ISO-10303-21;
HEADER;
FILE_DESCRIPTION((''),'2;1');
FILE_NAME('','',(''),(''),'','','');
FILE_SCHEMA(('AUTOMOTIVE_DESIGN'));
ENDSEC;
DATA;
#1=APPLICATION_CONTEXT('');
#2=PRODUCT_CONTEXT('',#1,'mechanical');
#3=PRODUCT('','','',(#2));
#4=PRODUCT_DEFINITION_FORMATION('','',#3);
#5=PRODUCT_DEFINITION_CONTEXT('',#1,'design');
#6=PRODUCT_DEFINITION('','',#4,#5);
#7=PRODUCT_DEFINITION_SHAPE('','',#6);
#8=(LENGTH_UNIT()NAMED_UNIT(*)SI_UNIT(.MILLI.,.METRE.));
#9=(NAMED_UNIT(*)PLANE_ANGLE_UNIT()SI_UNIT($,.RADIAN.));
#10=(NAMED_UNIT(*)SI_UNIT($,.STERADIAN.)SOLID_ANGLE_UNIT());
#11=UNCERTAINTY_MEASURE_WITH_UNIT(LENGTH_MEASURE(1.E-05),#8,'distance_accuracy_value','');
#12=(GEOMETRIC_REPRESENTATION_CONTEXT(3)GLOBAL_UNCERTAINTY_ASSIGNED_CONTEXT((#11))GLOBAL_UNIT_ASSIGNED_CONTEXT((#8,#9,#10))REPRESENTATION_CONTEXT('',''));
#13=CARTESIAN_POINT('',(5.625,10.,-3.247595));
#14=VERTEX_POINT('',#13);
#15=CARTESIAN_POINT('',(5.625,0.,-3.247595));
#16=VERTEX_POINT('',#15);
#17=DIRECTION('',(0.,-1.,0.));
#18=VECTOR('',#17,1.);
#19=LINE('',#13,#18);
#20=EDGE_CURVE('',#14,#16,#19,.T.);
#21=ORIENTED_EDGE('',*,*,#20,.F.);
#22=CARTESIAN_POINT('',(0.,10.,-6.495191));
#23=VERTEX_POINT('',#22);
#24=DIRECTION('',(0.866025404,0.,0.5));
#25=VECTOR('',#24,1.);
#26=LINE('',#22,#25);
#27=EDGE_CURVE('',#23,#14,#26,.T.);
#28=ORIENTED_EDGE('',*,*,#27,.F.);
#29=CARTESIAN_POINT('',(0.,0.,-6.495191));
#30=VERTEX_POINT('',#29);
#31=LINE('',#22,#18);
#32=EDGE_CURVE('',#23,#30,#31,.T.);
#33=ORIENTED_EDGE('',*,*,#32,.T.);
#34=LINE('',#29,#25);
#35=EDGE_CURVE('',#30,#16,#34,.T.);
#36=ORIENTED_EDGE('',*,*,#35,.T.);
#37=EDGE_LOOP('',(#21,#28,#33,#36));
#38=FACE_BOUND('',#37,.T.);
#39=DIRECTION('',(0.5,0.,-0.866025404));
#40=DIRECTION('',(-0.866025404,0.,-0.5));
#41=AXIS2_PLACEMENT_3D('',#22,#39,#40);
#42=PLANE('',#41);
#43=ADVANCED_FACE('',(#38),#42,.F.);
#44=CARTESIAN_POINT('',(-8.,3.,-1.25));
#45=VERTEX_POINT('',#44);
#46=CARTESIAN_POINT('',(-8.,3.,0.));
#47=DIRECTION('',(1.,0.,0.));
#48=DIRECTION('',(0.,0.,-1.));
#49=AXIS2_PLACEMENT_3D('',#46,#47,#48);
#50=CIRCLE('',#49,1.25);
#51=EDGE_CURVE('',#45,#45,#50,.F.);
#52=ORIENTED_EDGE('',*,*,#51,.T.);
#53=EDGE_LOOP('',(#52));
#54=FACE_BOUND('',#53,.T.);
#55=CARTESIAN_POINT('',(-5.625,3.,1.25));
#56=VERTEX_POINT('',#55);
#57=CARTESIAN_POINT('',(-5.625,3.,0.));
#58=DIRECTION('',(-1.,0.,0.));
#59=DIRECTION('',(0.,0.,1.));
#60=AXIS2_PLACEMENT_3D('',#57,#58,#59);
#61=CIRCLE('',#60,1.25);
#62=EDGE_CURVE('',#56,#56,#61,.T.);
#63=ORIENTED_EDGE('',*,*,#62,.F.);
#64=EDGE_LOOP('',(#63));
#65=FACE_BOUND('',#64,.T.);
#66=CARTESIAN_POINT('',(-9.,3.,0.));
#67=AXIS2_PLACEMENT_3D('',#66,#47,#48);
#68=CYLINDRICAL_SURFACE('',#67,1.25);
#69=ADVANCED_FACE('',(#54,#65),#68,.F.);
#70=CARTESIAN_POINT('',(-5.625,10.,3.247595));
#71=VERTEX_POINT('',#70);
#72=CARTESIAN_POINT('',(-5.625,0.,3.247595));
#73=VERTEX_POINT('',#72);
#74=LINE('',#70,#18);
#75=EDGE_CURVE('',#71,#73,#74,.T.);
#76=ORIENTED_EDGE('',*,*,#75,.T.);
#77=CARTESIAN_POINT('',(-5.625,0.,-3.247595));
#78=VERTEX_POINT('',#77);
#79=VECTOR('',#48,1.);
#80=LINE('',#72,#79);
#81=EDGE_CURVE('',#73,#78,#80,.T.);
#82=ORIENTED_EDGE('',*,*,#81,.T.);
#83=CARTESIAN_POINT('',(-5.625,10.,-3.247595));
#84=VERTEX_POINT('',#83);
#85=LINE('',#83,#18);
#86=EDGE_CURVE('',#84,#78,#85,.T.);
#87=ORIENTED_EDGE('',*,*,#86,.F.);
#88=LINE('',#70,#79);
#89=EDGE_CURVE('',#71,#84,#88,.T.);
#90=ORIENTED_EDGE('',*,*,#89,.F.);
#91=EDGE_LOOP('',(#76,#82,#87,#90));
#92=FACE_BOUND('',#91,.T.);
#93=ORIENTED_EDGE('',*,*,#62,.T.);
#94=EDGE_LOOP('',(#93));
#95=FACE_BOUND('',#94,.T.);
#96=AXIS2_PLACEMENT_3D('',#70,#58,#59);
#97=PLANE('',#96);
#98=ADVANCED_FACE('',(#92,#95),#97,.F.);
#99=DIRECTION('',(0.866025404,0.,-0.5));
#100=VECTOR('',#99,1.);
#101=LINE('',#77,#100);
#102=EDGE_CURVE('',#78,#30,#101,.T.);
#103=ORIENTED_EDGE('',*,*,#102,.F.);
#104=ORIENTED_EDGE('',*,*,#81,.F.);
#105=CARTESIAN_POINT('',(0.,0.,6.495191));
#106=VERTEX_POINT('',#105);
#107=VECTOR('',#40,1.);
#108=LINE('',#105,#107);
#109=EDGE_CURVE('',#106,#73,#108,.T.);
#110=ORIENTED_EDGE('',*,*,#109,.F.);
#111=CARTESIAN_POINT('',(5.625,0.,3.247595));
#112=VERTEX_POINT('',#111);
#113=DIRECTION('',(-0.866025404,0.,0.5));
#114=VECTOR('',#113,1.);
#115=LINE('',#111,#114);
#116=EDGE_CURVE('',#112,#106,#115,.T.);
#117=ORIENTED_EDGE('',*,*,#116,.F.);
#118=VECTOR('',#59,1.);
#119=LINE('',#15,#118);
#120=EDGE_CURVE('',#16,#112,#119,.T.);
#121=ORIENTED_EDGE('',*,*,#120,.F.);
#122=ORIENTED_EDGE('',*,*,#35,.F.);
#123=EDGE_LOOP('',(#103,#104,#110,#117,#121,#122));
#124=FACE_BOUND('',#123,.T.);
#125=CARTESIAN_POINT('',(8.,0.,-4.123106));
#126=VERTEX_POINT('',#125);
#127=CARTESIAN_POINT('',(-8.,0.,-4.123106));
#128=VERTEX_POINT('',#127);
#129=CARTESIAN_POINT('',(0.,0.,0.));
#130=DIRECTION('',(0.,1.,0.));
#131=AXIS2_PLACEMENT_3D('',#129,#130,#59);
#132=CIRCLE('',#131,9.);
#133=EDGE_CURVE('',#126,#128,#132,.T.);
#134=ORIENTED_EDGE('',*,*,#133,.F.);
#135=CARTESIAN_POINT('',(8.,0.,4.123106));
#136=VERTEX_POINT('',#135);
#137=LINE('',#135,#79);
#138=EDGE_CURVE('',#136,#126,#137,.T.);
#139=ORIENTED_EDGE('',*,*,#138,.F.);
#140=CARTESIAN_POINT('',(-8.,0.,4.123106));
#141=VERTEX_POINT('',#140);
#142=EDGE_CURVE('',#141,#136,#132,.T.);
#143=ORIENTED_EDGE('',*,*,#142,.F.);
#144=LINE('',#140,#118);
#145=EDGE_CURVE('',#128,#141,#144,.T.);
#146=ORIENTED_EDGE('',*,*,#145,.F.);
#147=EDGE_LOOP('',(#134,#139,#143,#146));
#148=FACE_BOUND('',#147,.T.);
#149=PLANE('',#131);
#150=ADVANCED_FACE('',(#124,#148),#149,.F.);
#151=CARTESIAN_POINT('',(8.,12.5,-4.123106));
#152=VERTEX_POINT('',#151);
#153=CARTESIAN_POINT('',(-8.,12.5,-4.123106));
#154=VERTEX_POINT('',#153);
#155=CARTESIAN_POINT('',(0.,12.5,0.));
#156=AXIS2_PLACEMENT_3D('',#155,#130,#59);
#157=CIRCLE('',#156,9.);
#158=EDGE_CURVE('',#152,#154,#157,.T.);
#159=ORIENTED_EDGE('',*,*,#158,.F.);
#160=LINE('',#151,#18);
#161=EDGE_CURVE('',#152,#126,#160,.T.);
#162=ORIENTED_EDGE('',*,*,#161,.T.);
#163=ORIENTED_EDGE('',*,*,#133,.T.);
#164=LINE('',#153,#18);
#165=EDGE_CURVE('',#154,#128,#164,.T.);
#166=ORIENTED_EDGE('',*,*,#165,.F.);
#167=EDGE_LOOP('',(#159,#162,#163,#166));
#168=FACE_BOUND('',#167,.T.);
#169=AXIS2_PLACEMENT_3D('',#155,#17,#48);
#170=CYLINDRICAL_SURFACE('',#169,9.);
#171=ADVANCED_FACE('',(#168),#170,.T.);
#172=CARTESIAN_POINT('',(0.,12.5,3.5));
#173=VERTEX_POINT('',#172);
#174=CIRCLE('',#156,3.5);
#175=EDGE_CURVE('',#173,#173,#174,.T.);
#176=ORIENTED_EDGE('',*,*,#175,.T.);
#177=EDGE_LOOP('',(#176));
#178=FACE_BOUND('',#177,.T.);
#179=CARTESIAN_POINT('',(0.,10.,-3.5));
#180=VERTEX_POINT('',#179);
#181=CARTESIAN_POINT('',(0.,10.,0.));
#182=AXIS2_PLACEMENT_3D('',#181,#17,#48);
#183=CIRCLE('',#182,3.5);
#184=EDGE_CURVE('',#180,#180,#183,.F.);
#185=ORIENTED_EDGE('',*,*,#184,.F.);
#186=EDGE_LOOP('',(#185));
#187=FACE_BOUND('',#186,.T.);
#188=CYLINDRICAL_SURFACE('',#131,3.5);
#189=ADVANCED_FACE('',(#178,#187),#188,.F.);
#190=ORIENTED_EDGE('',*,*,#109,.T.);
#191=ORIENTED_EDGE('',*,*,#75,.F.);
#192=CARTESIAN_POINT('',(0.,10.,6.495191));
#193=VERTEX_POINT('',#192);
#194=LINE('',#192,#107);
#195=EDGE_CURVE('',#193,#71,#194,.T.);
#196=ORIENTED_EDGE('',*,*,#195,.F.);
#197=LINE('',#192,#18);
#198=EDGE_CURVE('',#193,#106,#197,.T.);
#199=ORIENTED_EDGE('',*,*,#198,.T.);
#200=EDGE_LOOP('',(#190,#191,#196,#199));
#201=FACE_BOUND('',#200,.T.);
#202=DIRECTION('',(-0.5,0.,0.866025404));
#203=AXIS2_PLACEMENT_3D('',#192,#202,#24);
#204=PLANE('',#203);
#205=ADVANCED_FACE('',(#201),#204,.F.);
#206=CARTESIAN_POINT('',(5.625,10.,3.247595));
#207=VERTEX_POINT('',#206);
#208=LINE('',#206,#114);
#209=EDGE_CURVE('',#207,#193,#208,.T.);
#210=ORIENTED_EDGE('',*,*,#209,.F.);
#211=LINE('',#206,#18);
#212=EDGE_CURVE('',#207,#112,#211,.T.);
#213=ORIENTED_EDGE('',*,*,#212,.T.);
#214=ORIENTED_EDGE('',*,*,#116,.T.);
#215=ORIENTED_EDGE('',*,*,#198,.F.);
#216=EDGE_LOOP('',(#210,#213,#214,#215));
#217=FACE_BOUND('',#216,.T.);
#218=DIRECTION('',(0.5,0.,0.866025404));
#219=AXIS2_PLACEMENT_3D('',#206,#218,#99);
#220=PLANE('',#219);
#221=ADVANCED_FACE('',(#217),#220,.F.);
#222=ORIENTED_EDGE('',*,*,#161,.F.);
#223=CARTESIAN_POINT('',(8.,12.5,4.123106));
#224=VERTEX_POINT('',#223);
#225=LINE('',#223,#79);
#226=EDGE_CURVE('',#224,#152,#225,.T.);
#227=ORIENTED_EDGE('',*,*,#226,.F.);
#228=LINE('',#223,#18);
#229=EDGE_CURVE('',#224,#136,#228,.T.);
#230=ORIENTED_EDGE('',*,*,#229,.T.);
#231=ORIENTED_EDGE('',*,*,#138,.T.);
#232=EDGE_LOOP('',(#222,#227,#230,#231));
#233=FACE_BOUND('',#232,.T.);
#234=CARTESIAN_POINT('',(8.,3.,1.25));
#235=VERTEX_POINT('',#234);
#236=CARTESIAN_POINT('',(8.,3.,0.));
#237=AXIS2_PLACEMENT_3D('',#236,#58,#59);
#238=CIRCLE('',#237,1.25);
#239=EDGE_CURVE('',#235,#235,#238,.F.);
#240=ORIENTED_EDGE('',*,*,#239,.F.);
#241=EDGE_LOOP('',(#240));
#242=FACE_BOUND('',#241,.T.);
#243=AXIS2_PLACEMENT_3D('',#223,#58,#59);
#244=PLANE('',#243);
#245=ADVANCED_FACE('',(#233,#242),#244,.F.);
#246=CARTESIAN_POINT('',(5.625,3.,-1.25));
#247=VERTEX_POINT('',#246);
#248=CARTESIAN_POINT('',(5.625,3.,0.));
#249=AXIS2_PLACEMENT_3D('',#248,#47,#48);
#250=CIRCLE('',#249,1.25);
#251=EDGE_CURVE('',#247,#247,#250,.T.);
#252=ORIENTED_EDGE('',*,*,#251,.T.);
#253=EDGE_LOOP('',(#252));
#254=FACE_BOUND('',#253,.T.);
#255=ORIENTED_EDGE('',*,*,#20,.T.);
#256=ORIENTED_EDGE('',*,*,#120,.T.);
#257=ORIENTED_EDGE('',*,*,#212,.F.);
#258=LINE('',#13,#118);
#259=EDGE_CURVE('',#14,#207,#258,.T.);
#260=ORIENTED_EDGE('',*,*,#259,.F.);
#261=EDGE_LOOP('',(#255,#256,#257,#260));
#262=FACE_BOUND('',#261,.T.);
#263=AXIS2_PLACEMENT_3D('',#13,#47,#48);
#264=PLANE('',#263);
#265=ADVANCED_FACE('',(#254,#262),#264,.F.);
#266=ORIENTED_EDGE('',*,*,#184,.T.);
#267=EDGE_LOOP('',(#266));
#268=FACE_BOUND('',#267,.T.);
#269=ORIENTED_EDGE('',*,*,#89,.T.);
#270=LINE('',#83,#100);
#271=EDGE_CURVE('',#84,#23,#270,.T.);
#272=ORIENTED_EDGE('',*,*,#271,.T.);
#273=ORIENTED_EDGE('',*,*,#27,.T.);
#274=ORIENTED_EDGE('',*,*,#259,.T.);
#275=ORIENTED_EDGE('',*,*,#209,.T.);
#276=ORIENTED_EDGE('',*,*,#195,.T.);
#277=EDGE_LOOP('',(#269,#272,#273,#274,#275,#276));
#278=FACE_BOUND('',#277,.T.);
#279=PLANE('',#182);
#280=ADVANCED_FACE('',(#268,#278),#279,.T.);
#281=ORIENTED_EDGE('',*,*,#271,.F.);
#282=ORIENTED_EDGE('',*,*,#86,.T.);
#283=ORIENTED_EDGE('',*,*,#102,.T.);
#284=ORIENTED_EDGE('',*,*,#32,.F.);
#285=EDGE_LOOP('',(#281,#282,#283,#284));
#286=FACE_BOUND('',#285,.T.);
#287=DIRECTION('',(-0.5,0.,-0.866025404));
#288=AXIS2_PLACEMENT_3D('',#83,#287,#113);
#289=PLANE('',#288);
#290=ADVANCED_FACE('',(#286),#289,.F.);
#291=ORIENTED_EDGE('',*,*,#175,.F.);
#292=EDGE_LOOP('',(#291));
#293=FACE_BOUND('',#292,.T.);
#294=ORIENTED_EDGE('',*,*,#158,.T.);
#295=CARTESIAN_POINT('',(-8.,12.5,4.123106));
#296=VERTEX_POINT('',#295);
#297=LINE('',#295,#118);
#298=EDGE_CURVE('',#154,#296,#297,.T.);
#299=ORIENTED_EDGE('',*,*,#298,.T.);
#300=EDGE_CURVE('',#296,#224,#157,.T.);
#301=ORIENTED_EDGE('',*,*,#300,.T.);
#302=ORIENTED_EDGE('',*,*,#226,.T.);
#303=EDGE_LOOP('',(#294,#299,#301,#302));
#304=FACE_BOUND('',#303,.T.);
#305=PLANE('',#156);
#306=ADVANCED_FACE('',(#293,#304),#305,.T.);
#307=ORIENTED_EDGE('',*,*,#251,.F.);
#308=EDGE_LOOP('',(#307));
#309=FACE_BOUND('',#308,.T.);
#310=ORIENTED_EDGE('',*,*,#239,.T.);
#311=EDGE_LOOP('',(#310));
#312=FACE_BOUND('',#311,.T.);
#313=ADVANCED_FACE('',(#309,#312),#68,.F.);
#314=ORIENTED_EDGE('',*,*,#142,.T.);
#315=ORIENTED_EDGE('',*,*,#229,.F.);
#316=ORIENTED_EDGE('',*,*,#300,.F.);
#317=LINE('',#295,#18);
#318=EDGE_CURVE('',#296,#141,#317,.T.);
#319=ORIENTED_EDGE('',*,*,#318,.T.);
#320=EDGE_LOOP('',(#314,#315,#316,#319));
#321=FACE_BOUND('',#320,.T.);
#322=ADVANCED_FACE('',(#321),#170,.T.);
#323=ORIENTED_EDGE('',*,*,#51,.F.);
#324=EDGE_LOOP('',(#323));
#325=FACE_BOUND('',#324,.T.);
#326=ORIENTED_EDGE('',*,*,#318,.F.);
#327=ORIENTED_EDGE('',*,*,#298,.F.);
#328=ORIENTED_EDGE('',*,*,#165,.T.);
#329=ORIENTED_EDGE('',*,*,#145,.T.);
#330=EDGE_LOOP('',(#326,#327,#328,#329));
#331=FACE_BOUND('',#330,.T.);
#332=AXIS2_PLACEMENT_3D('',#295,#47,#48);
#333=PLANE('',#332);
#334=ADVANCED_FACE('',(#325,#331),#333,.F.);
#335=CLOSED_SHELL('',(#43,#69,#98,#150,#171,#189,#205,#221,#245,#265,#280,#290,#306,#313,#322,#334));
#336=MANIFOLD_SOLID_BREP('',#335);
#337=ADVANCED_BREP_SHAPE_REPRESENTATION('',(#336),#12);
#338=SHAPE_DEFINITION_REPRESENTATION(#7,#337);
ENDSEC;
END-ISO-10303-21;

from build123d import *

# Parameters (mm, degrees)
ESBO_O9_R                   = 9
RESSALTO_EXTRUS_O1_DEPTH    = 12.5
ESBO_O12_R                  = 3.5
CORTE_EXTRUS_O9_DEPTH       = 18.839562775
CORTE_EXTRUS_O10_DEPTH      = 10
CORTE_EXTRUS_O11_DEPTH      = 18.839562775
CORTE_EXTRUS_O11_DEPTH_BACK = 18.839562775
ESBO_O14_R                  = 1.25
CORTE_EXTRUS_O12_DEPTH      = 18.83956296


with BuildPart() as part:
    # Esboço9 → Ressalto-extrusão1 (new body)
    with BuildSketch(Plane(origin=(0, 0, 0), x_dir=(1, 0, 0), z_dir=(0, 1, 0))):
        with Locations(Location((0, 0, 0), (0, 0, 270))):
            Circle(ESBO_O9_R)
    extrude(amount=RESSALTO_EXTRUS_O1_DEPTH)

    # Esboço12 → Corte-extrusão9 (cut, through all)
    with BuildSketch(Plane(origin=(0, 12.5, 0), x_dir=(1, 0, 0), z_dir=(0, 1, 0))):
        with Locations(Location((0, 0, 0), (0, 0, 270))):
            Circle(ESBO_O12_R)
    extrude(amount=-CORTE_EXTRUS_O9_DEPTH, mode=Mode.SUBTRACT)

    # Esboço13 → Corte-extrusão10 (cut)
    with BuildSketch(Plane.XZ):
        Polygon((0, 6.495190528), (-5.625, 3.247595264), (-5.625, -3.247595264), (0, -6.495190528), (5.625, -3.247595264), (5.625, 3.247595264), align=None)
    extrude(amount=-CORTE_EXTRUS_O10_DEPTH, mode=Mode.SUBTRACT)

    # Esboço14 → Corte-extrusão11 (cut, two sides: drawn at the far end of the back side and taken through both)
    with BuildSketch(Plane(origin=(0, 0, 0), x_dir=(0, 0, -1), z_dir=(1, 0, 0)).offset(-CORTE_EXTRUS_O11_DEPTH_BACK)):
        with Locations(Location((0, 3, 0), (0, 0, 270))):
            Circle(ESBO_O14_R)
    extrude(amount=CORTE_EXTRUS_O11_DEPTH + CORTE_EXTRUS_O11_DEPTH_BACK, mode=Mode.SUBTRACT)

    # Esboço15 → Corte-extrusão12 (cut, through all)
    with BuildSketch(Plane.XZ):
        with BuildLine():
            Line((-8, 4.123105626), (-8, -4.123105626))
            ThreePointArc((-8, -4.123105626), (-9, 0), (-8, 4.123105626))
        make_face()
        with BuildLine():
            Line((8, 4.123105626), (8, -4.123105626))
            ThreePointArc((8, -4.123105626), (9, 0), (8, 4.123105626))
        make_face()
    extrude(amount=-CORTE_EXTRUS_O12_DEPTH, mode=Mode.SUBTRACT)


solid = part.part
